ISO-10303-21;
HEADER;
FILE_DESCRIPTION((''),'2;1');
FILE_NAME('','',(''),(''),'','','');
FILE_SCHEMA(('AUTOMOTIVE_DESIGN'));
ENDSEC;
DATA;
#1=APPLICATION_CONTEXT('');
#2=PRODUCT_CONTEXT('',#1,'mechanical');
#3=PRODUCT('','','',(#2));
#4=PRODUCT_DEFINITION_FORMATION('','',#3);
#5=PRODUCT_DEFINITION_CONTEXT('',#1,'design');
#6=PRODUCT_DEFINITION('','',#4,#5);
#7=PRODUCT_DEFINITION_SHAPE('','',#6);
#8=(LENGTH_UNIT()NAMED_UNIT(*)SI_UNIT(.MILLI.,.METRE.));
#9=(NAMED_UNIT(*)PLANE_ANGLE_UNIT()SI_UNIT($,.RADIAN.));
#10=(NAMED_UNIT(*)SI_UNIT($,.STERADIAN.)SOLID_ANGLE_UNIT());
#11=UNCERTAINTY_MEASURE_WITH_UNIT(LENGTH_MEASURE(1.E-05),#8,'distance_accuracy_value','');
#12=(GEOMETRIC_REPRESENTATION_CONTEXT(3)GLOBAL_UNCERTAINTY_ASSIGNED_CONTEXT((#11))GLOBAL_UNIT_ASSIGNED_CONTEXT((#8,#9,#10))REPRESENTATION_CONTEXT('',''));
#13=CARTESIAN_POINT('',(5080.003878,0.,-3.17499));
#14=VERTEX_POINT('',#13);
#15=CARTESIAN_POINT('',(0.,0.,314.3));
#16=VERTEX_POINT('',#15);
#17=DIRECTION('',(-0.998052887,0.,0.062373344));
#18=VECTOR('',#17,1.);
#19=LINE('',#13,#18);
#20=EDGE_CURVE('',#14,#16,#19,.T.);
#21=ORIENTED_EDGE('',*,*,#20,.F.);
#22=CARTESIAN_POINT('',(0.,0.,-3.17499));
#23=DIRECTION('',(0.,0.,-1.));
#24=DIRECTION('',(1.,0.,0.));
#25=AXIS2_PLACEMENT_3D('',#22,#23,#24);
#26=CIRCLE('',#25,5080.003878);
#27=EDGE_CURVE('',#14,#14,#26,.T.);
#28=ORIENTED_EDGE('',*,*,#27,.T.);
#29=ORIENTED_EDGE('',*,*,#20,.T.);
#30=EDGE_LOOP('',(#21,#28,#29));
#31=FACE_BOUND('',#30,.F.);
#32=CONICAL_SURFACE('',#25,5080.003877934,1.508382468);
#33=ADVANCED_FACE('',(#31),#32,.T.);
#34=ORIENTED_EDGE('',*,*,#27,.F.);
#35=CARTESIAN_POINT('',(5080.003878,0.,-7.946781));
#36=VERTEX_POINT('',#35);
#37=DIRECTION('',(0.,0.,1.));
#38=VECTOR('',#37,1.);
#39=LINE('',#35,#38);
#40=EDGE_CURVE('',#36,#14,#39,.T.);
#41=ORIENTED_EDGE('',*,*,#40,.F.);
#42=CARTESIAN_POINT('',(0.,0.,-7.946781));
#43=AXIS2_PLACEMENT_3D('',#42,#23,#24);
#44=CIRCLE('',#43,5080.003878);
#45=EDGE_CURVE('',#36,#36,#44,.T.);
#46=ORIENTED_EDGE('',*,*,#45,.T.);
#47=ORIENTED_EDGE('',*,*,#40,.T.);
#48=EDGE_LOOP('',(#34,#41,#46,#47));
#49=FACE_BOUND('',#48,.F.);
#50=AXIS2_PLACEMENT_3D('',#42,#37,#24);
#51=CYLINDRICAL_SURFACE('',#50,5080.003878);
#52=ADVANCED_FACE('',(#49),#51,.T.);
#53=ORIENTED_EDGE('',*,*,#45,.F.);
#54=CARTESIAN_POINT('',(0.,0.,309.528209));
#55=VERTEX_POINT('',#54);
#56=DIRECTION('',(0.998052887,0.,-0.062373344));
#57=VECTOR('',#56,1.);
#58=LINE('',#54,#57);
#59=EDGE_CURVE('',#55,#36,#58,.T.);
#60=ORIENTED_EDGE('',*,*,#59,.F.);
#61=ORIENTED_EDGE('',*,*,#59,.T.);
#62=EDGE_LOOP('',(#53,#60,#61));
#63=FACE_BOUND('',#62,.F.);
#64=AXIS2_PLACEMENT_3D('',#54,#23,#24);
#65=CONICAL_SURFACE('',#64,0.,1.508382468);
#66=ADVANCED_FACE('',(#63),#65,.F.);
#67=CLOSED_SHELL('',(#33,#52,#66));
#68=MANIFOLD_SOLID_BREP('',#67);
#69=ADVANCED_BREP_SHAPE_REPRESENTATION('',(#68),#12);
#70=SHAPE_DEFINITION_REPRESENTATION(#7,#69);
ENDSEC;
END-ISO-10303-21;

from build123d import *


with BuildPart() as f1:
    # F0 (on Front) → F1 (revolve)
    with BuildSketch(Plane.XZ):
        Polygon((0, 309.5282087849), (4952.8452676462, 0), (5029.2, 0), (0, 314.3), align=None)
        Polygon((5029.2, 0), (4952.8452676462, 0), (5032.5983678996, -4.9841723156), (5080.0038779344, -7.9467810414), (5080.0038779344, -3.1749898264), align=None)
    revolve(axis=Axis((0, 0, 157.15), (0, 0, -1)))


solid = f1.part
